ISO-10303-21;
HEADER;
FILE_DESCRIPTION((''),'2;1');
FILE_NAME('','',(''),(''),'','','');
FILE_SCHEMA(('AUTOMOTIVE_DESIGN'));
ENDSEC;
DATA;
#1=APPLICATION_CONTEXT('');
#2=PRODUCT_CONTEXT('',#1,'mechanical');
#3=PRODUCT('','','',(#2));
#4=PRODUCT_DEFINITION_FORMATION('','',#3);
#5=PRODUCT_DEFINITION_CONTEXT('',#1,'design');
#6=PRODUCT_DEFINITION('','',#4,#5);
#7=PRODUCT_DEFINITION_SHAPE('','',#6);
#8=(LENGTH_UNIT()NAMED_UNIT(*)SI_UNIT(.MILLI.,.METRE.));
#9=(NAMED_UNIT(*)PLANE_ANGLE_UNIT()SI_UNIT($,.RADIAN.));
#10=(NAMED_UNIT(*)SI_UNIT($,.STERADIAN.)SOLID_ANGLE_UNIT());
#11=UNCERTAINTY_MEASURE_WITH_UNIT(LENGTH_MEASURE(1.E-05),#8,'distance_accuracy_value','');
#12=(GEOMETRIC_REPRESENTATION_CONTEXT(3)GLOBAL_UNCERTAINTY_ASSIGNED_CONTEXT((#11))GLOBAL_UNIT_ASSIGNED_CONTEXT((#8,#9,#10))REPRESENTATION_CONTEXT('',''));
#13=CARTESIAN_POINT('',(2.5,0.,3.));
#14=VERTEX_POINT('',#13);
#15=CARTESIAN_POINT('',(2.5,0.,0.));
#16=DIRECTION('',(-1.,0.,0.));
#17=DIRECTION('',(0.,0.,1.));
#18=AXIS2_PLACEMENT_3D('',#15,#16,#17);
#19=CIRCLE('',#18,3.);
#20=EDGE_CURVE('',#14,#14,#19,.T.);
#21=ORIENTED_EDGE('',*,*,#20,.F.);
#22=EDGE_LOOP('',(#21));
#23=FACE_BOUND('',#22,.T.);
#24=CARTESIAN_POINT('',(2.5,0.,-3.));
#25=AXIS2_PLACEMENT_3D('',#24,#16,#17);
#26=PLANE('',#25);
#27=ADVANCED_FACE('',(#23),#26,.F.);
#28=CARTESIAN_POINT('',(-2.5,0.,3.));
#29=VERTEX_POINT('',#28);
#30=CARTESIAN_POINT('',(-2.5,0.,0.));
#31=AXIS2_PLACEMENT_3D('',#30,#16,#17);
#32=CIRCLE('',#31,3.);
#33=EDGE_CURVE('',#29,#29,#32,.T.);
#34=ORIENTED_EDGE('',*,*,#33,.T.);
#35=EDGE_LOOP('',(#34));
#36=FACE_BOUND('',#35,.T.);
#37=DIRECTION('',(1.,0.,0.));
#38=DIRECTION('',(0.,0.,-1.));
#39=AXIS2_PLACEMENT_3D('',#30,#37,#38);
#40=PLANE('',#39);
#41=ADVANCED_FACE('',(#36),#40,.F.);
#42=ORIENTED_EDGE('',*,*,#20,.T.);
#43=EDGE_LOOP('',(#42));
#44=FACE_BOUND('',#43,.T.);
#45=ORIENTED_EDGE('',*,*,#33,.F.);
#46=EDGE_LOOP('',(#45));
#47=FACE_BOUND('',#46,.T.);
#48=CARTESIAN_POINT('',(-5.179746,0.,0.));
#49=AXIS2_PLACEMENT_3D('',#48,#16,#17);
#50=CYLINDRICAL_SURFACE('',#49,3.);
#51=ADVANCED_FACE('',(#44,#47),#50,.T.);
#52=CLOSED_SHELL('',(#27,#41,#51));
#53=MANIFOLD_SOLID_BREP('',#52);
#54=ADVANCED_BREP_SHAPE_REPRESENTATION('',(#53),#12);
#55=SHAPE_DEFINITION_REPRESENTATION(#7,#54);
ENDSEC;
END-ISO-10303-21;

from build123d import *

# Parameters (mm, degrees)
CROQUIS1_W = 5
CROQUIS1_H = 3


with BuildPart() as part:
    # Croquis1 → Revolución1 (revolve)
    with BuildSketch(Plane(origin=(0, 0, 0), x_dir=(1, 0, 0), z_dir=(0, 1, 0))):
        with Locations((0, 1.5)):
            Rectangle(CROQUIS1_W, CROQUIS1_H)
    revolve(axis=Axis((-5.17974618, 0, 0), (1, 0, 0)))


solid = part.part
